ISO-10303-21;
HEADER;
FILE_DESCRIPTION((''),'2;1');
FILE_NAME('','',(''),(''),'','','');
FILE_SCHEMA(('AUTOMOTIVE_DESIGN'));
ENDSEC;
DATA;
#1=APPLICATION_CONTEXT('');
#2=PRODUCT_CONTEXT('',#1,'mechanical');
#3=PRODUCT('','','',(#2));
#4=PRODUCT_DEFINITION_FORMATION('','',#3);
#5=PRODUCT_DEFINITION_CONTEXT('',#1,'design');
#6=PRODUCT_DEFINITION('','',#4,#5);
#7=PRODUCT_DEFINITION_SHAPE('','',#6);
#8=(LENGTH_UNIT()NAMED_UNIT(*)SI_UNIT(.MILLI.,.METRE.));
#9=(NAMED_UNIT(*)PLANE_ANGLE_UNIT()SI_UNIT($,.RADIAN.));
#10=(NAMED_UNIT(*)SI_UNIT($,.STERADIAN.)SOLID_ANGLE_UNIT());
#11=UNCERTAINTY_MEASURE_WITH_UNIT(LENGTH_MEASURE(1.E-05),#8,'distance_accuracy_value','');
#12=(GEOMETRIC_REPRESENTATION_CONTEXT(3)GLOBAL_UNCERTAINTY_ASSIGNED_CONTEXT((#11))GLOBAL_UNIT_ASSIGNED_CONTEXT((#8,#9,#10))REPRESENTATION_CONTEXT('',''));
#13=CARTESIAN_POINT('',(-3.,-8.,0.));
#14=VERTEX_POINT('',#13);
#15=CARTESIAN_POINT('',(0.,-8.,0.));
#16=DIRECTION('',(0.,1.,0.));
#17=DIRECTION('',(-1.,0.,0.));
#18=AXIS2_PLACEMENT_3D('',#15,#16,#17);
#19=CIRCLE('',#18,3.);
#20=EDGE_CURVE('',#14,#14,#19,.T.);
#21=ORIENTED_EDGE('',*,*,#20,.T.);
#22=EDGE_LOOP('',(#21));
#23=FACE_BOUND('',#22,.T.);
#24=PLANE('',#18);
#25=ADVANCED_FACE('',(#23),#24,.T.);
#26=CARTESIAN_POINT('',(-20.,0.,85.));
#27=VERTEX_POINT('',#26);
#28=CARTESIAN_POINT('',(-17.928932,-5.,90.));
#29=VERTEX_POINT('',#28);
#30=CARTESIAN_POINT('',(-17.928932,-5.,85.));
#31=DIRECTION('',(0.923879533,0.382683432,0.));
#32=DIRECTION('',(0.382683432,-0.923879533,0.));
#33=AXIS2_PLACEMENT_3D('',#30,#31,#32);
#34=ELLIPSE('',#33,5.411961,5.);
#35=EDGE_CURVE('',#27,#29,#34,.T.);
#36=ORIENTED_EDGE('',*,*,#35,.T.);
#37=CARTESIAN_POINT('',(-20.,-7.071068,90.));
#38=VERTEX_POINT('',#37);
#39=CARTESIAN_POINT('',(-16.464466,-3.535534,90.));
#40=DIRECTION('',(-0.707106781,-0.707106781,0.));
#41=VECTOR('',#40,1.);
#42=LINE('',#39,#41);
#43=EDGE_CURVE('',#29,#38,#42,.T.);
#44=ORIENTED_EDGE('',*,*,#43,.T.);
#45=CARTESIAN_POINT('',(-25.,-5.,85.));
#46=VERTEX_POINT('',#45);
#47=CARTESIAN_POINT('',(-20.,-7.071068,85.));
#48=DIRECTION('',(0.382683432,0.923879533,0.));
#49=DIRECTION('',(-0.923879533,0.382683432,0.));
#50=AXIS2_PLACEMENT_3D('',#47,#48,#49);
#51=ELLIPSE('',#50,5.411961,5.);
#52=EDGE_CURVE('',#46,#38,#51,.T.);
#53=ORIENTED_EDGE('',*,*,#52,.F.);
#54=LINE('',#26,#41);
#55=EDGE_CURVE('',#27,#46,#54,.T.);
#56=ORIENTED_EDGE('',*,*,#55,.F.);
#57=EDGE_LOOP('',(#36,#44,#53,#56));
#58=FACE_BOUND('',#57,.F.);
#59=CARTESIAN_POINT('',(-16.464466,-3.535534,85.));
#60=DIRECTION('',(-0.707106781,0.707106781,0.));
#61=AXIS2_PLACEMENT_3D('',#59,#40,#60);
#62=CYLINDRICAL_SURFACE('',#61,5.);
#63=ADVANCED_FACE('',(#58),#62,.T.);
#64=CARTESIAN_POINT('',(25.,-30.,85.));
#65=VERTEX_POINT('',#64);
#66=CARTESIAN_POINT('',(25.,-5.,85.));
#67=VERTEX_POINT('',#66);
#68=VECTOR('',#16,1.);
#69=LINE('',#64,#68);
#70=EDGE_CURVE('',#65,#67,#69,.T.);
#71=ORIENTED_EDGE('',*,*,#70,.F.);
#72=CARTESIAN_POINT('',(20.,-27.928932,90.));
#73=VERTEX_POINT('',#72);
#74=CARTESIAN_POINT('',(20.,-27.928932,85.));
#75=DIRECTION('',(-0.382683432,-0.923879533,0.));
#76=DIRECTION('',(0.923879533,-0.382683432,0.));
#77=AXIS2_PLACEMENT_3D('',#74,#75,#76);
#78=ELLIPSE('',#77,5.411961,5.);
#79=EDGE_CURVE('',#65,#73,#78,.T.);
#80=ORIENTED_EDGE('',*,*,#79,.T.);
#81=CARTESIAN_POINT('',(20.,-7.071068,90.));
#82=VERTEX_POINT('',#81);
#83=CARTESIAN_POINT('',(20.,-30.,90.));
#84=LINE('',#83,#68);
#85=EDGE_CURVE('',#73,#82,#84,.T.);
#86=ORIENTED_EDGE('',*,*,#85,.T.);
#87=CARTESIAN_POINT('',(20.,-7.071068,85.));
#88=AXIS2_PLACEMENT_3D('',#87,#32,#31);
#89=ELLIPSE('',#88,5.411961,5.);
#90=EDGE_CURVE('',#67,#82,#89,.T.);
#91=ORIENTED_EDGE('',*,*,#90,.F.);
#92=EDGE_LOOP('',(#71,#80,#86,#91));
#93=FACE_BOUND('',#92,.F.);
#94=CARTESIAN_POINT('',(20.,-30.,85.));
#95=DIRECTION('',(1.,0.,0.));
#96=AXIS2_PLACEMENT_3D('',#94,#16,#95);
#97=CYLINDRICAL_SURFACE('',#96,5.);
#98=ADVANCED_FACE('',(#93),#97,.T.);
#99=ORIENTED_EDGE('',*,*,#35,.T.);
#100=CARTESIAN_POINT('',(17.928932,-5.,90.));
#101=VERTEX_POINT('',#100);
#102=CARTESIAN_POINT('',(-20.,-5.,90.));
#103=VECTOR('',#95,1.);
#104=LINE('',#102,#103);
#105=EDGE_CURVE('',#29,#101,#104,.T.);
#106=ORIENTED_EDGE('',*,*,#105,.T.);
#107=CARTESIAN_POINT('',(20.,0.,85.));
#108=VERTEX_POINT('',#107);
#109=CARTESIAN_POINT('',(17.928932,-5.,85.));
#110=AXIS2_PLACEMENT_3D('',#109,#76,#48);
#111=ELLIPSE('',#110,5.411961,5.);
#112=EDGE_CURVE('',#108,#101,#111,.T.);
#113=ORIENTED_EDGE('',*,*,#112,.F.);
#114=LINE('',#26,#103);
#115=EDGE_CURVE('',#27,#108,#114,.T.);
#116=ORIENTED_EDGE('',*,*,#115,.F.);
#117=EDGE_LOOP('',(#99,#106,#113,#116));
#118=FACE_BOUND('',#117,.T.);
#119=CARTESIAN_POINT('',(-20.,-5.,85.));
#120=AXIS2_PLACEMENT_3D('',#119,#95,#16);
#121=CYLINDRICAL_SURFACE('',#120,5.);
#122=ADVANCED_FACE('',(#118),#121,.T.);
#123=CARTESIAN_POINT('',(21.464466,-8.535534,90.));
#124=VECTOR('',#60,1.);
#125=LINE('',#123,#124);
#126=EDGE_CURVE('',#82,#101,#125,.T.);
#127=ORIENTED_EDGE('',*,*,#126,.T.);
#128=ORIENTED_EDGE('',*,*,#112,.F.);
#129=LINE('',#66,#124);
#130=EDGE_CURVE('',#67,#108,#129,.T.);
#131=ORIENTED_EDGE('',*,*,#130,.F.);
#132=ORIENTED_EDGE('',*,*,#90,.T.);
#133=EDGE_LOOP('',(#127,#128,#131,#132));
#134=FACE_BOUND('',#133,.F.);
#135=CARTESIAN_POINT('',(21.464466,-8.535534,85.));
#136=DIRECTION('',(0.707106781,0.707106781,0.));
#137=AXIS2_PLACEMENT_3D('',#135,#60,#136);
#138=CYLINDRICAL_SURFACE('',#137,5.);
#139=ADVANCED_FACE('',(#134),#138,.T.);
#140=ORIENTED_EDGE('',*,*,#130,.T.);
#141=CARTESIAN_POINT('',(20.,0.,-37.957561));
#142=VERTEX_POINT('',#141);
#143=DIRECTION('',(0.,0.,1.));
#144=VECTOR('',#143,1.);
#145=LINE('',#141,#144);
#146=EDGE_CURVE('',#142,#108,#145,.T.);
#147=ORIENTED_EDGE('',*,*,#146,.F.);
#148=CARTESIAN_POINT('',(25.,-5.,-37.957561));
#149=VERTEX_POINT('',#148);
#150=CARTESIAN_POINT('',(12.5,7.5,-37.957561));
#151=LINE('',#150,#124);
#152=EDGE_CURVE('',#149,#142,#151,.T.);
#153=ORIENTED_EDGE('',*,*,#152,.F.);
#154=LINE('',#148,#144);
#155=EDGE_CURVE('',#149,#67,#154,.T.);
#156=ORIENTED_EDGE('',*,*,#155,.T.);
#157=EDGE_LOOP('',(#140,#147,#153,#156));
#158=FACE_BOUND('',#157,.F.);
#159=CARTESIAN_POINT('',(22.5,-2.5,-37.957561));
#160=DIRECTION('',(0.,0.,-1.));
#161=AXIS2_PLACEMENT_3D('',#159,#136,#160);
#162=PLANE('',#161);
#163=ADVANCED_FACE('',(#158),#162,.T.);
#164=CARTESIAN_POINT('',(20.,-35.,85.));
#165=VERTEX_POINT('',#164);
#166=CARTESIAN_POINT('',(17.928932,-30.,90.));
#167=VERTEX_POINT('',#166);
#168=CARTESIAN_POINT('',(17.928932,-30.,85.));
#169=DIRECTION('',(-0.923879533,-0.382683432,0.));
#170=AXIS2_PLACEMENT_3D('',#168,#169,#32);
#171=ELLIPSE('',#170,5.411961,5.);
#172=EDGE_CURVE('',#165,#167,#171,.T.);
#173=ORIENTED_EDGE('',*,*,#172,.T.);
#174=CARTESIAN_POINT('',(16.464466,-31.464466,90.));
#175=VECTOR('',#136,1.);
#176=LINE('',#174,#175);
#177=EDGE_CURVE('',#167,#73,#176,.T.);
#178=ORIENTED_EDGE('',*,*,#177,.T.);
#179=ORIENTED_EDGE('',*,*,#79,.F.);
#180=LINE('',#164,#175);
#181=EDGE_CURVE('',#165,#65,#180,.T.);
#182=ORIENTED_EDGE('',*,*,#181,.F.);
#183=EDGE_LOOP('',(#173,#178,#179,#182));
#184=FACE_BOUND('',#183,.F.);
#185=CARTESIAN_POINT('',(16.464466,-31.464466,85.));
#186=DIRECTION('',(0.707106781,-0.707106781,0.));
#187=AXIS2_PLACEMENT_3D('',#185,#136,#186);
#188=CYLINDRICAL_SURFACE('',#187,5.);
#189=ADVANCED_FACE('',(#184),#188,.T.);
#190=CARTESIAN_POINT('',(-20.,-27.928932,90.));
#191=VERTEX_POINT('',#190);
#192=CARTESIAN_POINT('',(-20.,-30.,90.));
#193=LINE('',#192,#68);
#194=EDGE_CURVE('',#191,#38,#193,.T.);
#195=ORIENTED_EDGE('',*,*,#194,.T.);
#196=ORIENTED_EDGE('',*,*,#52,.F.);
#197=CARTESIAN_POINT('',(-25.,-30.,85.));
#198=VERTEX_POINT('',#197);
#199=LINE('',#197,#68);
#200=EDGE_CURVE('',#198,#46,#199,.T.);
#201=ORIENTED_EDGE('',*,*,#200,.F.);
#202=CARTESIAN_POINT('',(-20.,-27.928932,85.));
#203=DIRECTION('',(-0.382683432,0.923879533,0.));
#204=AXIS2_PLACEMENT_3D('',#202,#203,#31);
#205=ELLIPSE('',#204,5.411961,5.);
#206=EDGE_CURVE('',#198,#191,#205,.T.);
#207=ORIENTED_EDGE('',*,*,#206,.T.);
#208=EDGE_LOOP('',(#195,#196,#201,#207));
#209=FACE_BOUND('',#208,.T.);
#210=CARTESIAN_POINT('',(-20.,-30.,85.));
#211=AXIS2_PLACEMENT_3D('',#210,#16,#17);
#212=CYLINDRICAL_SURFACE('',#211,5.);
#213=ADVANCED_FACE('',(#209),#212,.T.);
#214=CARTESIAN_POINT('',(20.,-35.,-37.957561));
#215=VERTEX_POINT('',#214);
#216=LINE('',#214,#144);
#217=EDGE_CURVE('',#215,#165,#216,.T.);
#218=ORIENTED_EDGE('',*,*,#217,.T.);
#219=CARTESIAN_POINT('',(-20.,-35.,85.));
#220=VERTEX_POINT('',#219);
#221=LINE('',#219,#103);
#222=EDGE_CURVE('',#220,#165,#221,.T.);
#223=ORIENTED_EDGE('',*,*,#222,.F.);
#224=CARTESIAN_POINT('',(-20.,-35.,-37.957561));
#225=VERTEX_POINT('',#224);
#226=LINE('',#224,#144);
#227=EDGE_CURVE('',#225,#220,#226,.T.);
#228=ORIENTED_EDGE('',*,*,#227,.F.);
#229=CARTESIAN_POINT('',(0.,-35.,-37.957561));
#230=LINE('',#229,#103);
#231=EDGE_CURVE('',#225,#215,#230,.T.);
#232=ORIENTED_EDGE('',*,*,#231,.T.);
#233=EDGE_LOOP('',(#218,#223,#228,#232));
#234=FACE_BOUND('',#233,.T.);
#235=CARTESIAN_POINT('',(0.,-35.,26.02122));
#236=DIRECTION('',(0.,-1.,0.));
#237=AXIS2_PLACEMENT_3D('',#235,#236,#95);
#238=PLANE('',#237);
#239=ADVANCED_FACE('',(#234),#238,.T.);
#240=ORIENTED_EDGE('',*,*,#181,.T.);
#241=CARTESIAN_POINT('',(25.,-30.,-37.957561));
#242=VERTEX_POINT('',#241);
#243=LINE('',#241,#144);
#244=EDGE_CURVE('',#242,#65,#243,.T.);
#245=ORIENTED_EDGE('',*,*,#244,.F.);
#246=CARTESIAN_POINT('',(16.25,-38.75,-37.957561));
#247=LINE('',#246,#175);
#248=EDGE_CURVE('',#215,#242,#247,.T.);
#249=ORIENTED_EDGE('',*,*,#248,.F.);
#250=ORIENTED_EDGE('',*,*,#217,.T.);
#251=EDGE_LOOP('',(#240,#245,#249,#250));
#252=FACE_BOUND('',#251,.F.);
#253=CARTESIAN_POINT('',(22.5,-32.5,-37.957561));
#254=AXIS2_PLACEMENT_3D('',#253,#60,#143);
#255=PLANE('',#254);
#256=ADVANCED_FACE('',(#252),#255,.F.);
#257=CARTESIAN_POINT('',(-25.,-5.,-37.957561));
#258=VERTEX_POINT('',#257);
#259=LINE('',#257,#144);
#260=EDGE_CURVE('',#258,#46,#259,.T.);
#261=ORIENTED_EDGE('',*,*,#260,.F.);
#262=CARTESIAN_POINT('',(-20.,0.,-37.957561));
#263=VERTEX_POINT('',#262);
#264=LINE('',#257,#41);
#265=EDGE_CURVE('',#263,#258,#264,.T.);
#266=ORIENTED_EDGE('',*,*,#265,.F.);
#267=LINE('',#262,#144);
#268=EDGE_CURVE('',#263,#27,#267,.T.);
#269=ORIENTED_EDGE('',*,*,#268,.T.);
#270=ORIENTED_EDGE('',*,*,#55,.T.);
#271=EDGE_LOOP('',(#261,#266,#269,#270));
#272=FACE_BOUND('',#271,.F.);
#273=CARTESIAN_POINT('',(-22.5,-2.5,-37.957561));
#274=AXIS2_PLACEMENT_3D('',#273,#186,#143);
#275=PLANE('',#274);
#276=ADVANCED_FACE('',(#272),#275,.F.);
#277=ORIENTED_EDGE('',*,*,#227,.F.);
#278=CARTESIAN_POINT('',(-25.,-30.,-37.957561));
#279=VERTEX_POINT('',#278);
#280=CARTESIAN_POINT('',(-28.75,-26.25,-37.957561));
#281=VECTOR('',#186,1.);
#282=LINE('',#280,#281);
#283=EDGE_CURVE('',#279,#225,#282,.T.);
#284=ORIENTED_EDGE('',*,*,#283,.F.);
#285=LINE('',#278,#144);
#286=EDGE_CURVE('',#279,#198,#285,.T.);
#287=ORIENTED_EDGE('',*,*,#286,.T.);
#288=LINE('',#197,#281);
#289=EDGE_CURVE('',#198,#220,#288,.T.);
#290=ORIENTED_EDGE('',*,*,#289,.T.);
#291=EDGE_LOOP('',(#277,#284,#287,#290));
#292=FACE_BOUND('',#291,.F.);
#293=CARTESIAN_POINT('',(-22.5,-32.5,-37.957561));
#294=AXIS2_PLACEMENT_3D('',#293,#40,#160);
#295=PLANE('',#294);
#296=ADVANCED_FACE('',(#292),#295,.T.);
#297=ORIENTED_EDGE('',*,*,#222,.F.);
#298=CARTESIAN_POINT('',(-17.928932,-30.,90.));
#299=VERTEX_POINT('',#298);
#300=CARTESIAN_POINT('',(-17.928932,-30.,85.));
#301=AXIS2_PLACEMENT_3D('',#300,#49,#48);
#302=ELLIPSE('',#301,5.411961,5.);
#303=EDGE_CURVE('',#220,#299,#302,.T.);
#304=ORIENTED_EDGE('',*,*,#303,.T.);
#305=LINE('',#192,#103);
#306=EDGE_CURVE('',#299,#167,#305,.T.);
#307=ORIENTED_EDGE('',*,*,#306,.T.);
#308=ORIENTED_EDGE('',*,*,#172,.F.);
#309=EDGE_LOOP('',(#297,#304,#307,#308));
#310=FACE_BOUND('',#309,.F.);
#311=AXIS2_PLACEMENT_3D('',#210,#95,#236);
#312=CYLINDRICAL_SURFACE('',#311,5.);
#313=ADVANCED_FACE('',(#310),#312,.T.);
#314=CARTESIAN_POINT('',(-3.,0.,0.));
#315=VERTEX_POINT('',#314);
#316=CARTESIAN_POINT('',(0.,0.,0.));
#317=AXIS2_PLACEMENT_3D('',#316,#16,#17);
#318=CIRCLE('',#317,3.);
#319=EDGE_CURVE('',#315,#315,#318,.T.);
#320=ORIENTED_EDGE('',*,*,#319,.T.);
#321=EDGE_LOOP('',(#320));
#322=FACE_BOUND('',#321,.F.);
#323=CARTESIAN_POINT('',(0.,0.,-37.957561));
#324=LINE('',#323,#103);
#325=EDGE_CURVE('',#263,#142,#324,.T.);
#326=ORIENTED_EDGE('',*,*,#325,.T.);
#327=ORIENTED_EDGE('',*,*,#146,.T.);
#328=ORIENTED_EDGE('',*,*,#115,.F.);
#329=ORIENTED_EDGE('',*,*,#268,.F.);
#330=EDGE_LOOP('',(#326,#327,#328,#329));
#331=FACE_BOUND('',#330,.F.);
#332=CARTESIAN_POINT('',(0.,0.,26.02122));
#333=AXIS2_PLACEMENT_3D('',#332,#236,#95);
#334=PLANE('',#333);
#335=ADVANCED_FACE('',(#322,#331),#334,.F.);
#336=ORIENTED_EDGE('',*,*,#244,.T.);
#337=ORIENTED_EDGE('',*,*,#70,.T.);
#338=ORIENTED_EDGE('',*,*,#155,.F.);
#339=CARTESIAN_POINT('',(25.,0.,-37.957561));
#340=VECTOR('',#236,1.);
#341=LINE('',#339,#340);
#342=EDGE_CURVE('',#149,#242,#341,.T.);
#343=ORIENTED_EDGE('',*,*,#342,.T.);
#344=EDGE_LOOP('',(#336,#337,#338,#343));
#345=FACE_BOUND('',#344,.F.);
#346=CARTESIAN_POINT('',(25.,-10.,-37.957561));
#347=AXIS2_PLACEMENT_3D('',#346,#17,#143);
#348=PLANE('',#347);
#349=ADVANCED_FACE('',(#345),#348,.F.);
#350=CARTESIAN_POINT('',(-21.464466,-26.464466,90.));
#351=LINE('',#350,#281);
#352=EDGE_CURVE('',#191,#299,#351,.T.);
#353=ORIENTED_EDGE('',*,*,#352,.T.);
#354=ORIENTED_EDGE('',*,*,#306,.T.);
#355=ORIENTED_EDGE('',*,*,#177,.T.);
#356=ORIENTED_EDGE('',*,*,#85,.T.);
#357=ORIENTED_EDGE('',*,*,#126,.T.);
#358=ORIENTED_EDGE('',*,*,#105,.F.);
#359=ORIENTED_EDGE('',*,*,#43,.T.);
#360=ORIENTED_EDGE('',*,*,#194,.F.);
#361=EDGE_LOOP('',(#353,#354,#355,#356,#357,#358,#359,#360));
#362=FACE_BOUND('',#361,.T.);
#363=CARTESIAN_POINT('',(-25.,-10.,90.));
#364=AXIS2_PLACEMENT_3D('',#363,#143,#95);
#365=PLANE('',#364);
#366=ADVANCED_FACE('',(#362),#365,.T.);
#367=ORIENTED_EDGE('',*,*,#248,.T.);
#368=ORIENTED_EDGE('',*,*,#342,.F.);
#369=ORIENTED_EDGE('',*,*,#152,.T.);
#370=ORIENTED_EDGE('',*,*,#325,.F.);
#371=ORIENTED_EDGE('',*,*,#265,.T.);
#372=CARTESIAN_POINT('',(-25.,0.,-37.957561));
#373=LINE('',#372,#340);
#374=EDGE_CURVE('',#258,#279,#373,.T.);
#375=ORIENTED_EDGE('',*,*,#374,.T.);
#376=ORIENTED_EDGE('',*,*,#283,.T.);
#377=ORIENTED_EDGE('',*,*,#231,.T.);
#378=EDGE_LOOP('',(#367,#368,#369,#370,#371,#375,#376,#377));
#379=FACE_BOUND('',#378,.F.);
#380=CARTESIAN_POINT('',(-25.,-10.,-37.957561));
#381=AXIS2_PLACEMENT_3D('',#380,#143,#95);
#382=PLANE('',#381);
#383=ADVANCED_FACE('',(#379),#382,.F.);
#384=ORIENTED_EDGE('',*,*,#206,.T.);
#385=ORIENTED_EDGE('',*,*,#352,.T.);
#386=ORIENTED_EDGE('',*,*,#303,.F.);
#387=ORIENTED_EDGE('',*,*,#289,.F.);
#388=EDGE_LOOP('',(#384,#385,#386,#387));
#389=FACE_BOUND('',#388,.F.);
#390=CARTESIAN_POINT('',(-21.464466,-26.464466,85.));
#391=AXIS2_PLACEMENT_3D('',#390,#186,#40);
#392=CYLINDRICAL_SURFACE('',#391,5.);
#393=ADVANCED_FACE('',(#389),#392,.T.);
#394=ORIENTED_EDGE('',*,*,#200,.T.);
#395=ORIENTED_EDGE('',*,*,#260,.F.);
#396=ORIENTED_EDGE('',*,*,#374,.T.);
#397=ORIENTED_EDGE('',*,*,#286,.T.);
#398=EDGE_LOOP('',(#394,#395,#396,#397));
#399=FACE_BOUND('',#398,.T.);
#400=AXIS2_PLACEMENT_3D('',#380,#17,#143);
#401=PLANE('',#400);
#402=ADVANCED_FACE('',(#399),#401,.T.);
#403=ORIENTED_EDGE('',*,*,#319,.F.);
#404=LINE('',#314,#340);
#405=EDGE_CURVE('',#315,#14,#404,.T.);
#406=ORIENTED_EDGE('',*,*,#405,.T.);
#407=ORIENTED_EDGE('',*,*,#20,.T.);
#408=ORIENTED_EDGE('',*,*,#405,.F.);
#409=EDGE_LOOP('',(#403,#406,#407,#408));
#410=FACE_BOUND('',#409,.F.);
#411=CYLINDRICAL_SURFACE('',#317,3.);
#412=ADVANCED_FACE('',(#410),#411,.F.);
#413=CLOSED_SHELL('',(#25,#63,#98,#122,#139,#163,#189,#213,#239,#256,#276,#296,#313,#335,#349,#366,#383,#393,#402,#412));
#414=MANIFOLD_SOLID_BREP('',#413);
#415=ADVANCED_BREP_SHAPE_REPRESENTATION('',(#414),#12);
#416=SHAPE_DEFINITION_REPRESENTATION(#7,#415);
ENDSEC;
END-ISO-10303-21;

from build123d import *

# Parameters (mm, degrees)
F0_W     = 50
F0_H     = 127.9575609275
F1_DEPTH = 10
F2_R     = 3
F3_DEPTH = 8
F4_DEPTH = 25
F5_SIZE  = 5
F6_SIZE  = 5
F7_SIZE  = 5
F8_SIZE  = 5
F9_R     = 5


with BuildPart() as f1:
    # F0 (on Front) → F1 (new body)
    with BuildSketch(Plane.XZ):
        with Locations((0, 26.0212195362)):
            Rectangle(F0_W, F0_H)
    extrude(amount=F1_DEPTH)

    # F2 (on face) → F3 (cut)
    with BuildSketch(Plane(origin=(0, 0, 0), x_dir=(-1, 0, 0), z_dir=(0, 1, 0))):
        Circle(F2_R)
    extrude(amount=-F3_DEPTH, mode=Mode.SUBTRACT)

    # F4 (add): a face of the model
    f4_faces = [f1.faces().sort_by_distance(p)[0] for p in [
        (0, -10, 26.0212195362),
    ]]
    extrude(f4_faces, amount=F4_DEPTH)

    # F5
    f5_edges = [f1.edges().sort_by_distance(p)[0] for p in [
        (25, 0, 26.02122),
    ]]
    chamfer(f5_edges, length=F5_SIZE)

    # F6
    f6_edges = [f1.edges().sort_by_distance(p)[0] for p in [
        (-25, 0, 26.02122),
    ]]
    chamfer(f6_edges, length=F6_SIZE)

    # F7
    f7_edges = [f1.edges().sort_by_distance(p)[0] for p in [
        (-25, -35, 26.02122),
    ]]
    chamfer(f7_edges, length=F7_SIZE)

    # F8
    f8_edges = [f1.edges().sort_by_distance(p)[0] for p in [
        (25, -35, 26.02122),
    ]]
    chamfer(f8_edges, length=F8_SIZE)

    # F9
    f9_edges = [f1.edges().sort_by_distance(p)[0] for p in [
        (0, -35, 90),
        (22.5, -32.5, 90),
        (-22.5, -32.5, 90),
        (25, -17.5, 90),
        (-25, -17.5, 90),
        (22.5, -2.5, 90),
        (-22.5, -2.5, 90),
        (0, 0, 90),
    ]]
    fillet(f9_edges, radius=F9_R)


solid = f1.part
